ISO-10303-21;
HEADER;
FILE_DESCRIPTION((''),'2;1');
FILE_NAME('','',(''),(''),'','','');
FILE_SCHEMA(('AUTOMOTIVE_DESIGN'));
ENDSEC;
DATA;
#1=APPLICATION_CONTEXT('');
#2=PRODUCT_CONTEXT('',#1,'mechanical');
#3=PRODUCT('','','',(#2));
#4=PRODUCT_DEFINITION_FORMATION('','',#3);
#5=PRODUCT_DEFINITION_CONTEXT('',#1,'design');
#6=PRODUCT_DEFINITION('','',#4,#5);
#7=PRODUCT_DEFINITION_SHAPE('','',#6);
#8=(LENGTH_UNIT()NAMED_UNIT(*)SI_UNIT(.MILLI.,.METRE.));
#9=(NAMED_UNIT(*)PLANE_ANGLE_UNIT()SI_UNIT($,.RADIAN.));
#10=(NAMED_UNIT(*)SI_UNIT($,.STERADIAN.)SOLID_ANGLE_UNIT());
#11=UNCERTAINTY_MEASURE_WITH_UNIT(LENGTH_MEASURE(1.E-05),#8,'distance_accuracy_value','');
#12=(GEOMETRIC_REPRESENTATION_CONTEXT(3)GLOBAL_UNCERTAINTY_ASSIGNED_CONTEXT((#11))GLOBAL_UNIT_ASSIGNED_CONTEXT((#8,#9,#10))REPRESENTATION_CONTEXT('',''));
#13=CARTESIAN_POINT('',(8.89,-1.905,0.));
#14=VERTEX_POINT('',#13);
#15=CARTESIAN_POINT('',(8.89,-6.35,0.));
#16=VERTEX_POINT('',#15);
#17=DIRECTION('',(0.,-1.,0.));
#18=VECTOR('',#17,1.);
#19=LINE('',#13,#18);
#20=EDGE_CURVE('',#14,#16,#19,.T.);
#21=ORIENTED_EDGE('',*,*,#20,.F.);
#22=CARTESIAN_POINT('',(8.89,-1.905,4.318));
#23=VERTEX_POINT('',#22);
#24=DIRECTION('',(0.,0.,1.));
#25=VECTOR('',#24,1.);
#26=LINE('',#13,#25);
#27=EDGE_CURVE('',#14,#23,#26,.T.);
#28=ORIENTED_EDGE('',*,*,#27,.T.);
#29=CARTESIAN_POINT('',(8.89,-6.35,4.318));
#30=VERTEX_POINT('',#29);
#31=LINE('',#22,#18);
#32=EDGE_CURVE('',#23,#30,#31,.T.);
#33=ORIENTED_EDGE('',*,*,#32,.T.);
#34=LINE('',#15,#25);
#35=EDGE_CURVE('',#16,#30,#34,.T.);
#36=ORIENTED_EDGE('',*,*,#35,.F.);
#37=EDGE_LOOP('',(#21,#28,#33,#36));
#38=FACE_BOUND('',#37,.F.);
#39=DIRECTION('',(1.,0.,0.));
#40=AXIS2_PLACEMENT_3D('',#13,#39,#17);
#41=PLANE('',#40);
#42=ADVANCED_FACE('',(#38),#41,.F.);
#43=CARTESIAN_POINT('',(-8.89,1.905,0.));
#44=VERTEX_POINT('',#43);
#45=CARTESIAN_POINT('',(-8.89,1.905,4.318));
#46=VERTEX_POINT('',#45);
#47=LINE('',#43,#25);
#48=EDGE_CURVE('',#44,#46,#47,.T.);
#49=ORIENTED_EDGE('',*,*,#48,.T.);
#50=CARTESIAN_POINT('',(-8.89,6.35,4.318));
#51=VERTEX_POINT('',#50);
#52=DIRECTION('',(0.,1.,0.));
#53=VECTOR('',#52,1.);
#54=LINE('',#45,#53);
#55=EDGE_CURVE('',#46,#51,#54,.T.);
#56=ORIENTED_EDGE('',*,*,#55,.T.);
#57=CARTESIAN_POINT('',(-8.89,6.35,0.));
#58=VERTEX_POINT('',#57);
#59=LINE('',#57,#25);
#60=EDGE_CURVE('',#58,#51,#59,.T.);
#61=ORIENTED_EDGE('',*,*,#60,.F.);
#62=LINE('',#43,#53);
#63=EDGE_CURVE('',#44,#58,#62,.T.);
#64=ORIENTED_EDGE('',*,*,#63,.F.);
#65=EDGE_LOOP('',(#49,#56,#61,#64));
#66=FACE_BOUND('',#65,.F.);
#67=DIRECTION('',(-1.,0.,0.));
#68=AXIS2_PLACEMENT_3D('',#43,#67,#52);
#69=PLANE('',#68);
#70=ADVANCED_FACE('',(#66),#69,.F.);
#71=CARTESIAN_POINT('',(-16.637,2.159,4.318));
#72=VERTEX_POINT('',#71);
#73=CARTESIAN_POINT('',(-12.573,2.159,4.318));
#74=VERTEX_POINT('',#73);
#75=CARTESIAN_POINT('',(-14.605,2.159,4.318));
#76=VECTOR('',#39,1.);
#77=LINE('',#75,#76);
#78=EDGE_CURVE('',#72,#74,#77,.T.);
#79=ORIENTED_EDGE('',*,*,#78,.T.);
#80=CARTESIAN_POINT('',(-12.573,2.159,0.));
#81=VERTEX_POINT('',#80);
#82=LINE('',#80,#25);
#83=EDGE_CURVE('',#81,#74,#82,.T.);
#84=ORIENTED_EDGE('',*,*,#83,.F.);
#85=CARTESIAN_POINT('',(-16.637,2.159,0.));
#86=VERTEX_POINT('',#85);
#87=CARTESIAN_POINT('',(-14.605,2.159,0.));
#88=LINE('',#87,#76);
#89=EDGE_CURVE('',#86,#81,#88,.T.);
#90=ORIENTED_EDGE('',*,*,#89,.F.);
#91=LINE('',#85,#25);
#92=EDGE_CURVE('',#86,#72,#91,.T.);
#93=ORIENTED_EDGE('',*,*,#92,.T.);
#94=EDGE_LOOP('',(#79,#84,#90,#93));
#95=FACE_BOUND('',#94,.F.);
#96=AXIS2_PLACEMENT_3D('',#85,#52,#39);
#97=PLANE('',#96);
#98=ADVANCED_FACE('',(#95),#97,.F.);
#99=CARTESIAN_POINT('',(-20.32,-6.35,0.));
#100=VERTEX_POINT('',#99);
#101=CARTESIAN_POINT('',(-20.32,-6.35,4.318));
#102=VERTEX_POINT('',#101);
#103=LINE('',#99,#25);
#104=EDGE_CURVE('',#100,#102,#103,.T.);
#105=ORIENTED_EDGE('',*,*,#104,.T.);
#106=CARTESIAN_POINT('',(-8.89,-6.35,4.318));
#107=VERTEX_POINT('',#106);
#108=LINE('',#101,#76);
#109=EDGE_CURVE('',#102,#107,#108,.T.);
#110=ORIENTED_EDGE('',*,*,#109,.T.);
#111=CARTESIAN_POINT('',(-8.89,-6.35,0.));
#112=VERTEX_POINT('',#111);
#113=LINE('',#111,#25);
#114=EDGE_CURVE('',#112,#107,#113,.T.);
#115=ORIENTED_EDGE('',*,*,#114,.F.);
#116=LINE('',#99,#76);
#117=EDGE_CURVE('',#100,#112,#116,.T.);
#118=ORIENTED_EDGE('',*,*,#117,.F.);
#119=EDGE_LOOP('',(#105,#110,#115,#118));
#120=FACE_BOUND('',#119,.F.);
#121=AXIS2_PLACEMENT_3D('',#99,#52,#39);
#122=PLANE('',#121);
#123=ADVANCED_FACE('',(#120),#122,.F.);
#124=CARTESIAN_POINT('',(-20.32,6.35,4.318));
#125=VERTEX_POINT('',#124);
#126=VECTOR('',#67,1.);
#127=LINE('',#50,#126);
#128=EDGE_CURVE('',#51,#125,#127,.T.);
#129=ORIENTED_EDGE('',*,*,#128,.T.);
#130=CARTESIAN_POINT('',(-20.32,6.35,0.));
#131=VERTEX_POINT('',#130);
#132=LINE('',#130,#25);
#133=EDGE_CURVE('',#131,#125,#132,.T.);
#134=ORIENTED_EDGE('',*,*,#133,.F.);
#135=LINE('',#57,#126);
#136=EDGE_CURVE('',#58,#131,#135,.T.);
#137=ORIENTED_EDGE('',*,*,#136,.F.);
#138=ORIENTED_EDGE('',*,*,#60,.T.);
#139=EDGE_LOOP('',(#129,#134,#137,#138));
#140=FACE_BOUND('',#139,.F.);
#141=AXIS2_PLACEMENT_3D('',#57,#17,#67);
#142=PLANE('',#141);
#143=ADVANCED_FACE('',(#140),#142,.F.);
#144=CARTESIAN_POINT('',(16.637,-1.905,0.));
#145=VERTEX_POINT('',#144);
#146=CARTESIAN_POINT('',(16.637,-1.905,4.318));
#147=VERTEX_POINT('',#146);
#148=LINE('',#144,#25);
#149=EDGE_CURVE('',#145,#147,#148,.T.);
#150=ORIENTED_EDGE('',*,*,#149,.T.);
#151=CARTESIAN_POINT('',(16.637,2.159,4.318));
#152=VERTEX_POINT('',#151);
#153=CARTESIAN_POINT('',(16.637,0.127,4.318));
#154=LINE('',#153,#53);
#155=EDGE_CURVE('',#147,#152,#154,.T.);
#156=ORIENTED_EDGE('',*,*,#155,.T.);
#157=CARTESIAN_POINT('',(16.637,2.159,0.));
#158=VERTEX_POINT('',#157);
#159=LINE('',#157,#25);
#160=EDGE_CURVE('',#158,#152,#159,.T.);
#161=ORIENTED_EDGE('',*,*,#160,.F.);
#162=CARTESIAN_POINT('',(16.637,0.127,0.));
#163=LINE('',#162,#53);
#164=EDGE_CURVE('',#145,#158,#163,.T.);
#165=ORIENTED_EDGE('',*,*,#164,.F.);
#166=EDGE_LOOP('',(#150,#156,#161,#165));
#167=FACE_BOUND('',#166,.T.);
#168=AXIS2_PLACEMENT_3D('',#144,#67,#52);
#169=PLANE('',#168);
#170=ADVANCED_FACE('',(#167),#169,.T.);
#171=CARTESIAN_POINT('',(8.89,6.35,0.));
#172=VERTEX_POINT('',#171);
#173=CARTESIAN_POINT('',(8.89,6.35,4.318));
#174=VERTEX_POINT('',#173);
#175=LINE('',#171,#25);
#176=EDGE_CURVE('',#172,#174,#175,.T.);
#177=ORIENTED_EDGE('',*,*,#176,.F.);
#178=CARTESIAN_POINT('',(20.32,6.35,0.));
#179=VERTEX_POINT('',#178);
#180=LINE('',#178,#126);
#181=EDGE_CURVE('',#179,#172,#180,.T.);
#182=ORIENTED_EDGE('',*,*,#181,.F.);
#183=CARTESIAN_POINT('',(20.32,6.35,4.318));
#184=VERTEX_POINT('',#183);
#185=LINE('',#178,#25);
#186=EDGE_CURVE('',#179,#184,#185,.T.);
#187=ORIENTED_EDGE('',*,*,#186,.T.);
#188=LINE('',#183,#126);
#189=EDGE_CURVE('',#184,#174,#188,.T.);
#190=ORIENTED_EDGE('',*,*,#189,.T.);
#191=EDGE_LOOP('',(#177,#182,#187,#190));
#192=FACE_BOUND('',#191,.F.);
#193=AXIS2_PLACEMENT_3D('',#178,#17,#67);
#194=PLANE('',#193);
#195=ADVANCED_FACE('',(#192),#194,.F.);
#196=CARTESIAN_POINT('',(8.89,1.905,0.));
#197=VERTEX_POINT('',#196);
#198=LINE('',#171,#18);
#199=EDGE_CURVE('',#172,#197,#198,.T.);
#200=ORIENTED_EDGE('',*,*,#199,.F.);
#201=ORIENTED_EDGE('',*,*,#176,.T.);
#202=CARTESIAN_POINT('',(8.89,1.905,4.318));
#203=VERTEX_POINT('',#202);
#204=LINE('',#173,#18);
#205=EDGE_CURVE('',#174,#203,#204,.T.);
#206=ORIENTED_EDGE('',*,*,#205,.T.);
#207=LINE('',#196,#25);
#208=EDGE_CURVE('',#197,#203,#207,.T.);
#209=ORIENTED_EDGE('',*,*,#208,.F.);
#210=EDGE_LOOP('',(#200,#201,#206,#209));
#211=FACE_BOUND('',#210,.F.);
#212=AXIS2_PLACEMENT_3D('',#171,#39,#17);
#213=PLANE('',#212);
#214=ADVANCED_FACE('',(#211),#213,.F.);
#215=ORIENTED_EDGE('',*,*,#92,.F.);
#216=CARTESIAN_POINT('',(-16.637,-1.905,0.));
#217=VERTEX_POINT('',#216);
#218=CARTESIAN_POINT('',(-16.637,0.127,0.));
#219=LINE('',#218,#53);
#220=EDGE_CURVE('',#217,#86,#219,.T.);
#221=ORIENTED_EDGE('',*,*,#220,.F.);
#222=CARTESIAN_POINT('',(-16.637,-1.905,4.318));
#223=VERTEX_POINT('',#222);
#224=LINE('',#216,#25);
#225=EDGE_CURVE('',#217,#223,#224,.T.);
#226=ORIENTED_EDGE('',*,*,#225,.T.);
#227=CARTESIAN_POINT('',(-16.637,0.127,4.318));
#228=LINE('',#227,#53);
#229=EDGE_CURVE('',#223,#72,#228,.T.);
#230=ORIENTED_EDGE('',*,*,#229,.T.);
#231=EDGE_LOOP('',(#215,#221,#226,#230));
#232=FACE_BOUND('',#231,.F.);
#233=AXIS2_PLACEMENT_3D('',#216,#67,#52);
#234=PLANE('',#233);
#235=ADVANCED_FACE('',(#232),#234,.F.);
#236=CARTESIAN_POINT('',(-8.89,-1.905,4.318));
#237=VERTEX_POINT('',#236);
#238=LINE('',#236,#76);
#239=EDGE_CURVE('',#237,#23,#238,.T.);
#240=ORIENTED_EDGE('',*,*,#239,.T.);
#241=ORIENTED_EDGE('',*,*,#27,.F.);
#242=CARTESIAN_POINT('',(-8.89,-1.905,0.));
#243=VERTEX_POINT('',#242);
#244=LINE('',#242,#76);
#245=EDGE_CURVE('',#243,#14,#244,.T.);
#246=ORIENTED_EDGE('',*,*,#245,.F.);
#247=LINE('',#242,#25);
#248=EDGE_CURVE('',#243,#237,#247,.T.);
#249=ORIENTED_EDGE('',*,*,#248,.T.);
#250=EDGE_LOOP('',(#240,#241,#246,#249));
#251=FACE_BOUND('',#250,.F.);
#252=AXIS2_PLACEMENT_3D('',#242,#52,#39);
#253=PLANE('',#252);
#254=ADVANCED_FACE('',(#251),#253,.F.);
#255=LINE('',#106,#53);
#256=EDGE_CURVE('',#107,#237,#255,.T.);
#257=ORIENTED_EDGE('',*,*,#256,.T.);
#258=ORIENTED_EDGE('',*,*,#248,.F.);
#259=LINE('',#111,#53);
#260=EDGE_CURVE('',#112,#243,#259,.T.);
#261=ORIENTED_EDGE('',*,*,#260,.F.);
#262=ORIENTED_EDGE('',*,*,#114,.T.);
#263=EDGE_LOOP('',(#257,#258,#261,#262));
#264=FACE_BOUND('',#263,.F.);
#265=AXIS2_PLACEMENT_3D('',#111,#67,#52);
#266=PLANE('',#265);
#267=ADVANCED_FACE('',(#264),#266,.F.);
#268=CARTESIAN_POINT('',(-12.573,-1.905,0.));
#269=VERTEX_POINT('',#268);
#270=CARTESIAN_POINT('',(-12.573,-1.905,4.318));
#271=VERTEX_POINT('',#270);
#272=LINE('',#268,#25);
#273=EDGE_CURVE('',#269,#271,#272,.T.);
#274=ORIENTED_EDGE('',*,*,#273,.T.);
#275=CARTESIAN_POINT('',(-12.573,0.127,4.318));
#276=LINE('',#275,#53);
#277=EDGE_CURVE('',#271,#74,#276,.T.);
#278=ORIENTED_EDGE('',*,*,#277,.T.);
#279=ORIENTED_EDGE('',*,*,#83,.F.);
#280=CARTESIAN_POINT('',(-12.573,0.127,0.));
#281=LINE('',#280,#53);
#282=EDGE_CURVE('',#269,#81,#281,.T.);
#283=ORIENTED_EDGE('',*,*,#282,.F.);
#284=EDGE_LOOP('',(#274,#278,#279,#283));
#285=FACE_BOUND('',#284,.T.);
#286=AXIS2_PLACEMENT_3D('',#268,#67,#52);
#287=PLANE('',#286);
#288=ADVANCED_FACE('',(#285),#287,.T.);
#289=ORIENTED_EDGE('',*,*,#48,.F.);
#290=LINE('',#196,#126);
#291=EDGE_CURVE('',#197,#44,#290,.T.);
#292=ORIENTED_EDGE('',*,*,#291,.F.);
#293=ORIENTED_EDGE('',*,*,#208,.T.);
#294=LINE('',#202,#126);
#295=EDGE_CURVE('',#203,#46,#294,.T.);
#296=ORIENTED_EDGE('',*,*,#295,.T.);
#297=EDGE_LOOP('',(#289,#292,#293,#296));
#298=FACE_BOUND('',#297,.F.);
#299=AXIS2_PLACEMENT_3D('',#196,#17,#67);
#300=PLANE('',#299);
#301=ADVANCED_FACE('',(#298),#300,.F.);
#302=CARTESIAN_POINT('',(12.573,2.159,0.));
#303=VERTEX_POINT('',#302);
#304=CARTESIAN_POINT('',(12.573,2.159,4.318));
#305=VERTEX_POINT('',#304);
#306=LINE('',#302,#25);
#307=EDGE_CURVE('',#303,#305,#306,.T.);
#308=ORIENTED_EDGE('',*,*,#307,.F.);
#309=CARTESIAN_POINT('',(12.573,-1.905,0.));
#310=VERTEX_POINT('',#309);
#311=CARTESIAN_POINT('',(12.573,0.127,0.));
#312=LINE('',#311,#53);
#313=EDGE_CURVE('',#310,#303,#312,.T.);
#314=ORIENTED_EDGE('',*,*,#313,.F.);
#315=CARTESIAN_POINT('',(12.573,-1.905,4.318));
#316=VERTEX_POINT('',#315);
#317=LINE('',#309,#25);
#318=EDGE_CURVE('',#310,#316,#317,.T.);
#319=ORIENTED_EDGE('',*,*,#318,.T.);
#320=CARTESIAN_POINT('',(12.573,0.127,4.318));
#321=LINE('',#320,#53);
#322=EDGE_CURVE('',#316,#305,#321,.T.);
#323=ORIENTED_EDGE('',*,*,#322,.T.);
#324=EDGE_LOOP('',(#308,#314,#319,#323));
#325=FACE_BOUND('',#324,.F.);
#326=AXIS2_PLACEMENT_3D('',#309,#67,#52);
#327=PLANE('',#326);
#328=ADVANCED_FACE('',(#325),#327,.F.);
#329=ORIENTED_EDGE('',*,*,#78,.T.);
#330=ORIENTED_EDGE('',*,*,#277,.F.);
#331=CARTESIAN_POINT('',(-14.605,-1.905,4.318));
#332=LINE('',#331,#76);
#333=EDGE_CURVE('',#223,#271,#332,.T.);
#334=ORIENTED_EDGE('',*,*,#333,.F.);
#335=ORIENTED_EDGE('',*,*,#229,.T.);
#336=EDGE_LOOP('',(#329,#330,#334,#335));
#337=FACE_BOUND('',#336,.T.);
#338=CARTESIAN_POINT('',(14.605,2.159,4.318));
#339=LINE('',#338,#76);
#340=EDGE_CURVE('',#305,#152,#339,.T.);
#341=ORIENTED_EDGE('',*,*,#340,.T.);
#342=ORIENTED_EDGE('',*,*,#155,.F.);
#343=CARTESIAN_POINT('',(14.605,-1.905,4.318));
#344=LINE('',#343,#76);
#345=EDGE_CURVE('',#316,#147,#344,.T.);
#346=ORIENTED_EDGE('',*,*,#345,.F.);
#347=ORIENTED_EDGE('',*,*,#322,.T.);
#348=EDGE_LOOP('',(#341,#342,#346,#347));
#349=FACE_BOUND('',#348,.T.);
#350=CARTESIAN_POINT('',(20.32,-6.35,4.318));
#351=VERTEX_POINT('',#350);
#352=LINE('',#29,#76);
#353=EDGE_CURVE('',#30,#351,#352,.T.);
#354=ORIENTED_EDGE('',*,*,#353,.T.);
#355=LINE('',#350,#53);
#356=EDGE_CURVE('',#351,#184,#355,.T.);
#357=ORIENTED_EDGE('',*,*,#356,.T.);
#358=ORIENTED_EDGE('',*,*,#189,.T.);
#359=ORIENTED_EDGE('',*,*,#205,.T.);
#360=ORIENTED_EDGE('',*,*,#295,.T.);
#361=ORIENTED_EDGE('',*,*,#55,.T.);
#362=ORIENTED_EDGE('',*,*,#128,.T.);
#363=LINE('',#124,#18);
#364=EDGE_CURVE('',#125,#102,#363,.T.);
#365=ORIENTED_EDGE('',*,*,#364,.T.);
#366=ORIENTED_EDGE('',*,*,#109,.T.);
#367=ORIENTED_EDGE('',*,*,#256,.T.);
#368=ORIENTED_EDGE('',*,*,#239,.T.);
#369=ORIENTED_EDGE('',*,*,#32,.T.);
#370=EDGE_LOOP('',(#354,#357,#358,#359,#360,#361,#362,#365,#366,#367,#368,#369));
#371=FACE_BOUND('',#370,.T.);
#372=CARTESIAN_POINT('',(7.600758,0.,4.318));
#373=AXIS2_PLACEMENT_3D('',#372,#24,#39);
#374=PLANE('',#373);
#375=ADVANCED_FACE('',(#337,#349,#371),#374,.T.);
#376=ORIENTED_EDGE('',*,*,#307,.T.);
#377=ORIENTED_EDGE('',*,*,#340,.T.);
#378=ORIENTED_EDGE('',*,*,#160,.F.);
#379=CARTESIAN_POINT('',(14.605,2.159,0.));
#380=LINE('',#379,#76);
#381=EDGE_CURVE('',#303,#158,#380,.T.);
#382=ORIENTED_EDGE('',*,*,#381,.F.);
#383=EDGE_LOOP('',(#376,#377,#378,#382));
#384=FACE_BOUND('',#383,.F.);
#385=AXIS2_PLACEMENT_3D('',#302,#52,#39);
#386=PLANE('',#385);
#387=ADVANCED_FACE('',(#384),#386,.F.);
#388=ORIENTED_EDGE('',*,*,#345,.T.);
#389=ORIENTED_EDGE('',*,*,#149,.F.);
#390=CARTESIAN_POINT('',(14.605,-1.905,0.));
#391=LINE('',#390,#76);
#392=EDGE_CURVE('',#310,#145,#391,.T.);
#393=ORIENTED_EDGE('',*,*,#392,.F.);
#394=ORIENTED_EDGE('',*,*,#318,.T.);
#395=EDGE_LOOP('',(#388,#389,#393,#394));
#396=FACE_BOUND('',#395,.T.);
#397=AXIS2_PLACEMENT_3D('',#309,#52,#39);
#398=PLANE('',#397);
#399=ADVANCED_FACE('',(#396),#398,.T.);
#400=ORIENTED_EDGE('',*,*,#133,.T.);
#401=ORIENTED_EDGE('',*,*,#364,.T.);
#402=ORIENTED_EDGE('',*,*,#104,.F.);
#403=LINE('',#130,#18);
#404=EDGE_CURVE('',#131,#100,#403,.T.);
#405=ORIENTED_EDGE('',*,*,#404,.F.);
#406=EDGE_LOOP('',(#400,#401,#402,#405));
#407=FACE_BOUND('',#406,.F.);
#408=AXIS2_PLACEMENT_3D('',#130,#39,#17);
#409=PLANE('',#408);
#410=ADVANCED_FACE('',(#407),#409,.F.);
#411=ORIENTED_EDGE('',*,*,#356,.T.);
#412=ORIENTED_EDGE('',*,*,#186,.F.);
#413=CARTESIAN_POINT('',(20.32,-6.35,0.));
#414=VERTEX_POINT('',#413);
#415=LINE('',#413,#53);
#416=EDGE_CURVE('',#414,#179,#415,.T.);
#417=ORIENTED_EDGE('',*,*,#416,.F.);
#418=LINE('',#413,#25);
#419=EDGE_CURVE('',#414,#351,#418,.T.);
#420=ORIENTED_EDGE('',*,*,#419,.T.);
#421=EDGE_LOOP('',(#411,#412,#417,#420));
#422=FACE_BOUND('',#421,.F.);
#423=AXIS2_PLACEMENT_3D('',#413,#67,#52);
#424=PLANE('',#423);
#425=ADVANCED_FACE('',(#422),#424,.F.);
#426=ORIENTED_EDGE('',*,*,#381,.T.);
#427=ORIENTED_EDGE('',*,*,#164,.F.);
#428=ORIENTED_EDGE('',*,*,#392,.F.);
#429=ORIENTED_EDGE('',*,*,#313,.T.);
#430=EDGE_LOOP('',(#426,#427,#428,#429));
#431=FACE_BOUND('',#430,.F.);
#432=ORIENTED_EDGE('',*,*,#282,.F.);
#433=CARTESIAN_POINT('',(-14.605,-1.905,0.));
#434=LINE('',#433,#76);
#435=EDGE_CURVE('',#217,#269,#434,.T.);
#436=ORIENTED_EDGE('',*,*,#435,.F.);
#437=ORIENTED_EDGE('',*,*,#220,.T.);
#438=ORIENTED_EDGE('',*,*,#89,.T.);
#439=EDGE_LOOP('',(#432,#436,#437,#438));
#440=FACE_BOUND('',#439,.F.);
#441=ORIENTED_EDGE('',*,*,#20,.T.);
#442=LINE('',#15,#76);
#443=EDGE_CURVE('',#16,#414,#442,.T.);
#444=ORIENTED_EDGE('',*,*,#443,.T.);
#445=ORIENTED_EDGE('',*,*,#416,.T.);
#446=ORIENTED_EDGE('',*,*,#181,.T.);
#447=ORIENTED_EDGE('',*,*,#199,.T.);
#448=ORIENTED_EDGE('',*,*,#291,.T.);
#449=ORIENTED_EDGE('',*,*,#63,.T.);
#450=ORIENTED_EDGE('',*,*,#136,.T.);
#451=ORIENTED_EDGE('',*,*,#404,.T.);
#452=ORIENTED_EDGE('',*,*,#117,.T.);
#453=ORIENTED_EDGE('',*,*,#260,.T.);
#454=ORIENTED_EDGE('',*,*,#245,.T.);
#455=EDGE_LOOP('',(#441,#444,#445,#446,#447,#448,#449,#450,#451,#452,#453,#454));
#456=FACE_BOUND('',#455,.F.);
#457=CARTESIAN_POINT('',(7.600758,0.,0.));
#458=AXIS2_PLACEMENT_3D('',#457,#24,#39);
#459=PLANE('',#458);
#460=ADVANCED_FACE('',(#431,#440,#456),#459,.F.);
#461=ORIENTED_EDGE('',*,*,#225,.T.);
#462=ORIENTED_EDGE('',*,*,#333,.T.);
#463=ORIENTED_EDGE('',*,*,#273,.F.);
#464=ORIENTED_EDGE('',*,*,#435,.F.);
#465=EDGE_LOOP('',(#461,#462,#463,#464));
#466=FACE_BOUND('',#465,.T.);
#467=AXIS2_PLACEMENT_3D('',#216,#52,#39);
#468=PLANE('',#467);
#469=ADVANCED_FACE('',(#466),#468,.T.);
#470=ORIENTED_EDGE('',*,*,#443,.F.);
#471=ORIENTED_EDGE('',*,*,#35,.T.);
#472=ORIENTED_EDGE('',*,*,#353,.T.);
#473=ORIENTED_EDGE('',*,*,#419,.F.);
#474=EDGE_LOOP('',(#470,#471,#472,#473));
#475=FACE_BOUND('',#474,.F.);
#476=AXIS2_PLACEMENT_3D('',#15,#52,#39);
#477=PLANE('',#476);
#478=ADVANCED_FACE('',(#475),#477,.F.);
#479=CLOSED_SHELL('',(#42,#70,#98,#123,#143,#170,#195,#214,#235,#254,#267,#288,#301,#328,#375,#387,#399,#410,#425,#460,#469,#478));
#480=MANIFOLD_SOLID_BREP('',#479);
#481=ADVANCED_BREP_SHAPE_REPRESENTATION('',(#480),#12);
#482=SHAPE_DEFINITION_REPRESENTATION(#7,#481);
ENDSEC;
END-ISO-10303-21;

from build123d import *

# Parameters (mm, degrees)
F0_W     = 4.064
F0_H     = 4.064
F1_DEPTH = 4.318


with BuildPart() as f1:
    # F0 (on Top) → F1 (new body)
    with BuildSketch(Plane.XY):
        Polygon((-8.89, -1.905), (8.89, -1.905), (8.89, -6.35), (20.32, -6.35), (20.32, 6.35), (8.89, 6.35), (8.89, 1.905), (-8.89, 1.905), align=None)
        with Locations((14.605, 0.127)):
            Rectangle(F0_W, F0_H, mode=Mode.SUBTRACT)
        Polygon((-8.89, -6.35), (-8.89, -1.905), (-8.89, 1.905), (-8.89, 6.35), (-20.32, 6.35), (-20.32, -6.35), align=None)
        with Locations((-14.605, 0.127)):
            Rectangle(F0_W, F0_H, mode=Mode.SUBTRACT)
    extrude(amount=F1_DEPTH)


solid = f1.part
